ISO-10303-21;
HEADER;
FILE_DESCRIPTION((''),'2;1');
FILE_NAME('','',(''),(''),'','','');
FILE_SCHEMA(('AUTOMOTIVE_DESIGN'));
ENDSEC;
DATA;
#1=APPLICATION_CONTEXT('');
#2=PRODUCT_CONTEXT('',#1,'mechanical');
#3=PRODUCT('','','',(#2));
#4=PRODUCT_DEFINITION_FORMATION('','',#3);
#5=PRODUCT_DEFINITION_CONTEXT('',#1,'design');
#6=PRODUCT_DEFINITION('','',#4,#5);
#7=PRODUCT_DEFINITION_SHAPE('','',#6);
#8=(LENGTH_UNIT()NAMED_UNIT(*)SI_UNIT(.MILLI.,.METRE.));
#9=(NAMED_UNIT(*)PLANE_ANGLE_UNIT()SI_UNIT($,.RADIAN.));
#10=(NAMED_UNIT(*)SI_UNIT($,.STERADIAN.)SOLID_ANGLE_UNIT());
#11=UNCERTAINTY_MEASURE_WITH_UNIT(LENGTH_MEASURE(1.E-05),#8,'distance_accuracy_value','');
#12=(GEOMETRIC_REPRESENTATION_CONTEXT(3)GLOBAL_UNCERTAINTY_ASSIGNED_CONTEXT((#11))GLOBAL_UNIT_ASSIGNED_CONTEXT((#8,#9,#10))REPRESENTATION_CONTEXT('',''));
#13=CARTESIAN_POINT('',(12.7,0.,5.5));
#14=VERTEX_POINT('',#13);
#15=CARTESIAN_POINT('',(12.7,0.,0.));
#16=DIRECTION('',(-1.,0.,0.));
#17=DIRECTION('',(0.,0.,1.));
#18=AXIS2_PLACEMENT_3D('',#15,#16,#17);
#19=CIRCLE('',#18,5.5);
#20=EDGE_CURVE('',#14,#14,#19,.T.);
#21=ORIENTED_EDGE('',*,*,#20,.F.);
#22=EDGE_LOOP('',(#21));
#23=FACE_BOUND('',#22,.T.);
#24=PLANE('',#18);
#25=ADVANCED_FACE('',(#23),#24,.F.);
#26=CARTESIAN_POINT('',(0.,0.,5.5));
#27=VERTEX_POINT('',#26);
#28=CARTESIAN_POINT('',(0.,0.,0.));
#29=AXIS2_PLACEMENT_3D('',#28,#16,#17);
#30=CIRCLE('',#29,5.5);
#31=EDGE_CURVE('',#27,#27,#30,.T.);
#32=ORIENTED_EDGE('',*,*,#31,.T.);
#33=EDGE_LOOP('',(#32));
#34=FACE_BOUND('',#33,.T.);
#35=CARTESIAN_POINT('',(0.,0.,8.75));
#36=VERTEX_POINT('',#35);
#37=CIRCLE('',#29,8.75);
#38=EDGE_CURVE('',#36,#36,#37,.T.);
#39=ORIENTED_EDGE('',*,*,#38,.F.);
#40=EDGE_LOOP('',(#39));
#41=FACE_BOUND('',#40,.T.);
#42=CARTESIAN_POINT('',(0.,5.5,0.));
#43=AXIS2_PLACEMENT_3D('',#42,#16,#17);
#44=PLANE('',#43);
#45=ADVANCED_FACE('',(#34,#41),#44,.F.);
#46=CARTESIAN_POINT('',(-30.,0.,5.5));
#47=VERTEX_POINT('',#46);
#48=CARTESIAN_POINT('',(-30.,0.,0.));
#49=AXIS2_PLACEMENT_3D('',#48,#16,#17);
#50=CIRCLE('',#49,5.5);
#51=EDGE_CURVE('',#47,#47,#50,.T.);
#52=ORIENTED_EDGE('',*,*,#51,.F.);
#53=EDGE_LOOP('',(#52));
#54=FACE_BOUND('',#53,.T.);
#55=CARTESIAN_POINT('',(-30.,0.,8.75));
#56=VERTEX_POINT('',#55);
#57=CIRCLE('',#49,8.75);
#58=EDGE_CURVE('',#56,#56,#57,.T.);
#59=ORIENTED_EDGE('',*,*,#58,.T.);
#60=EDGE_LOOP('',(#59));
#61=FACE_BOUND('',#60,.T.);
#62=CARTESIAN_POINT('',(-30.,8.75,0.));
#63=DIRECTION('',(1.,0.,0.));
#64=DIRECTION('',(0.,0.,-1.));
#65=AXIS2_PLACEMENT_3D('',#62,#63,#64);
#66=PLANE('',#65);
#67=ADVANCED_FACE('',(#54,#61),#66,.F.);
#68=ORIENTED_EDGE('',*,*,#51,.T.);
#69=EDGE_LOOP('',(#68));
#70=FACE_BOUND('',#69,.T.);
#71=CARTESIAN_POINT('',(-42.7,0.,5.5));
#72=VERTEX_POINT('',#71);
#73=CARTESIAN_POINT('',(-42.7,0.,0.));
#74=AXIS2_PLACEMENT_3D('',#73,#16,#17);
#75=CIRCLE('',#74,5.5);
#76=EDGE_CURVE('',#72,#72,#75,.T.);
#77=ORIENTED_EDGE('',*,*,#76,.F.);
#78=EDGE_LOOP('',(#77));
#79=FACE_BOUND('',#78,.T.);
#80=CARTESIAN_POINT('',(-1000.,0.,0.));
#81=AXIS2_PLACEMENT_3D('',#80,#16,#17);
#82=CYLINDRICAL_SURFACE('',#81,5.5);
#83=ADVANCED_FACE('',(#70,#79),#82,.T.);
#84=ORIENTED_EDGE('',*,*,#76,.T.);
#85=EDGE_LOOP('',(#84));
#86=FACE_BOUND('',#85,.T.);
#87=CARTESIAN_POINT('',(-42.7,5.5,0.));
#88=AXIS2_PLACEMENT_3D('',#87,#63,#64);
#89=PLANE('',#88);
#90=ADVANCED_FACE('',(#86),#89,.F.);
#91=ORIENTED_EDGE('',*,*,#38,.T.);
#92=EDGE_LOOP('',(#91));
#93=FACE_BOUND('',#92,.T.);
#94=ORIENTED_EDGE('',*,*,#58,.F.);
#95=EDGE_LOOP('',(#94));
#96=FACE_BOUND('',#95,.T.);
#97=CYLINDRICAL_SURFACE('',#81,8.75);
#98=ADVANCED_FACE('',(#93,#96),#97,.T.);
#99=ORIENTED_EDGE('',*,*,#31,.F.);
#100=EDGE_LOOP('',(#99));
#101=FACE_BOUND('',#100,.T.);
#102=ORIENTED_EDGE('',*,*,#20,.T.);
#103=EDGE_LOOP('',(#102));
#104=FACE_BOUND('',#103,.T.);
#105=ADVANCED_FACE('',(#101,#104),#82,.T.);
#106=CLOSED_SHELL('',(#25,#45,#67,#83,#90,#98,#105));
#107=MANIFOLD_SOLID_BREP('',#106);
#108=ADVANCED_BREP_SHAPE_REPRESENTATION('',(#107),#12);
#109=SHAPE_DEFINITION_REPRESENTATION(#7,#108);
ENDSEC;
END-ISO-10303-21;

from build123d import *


with BuildPart() as part:
    # CV_Western_4M Sketch → CV_Western_4M (revolve)
    with BuildSketch(Plane.XY):
        Polygon((12.7, 0), (12.7, 5.5), (0, 5.5), (0, 8.75), (-30, 8.75), (-30, 5.5), (-42.7, 5.5), (-42.7, 0), align=None)
    revolve(axis=Axis((-1000, 0, 0), (1, 0, 0)))


solid = part.part
